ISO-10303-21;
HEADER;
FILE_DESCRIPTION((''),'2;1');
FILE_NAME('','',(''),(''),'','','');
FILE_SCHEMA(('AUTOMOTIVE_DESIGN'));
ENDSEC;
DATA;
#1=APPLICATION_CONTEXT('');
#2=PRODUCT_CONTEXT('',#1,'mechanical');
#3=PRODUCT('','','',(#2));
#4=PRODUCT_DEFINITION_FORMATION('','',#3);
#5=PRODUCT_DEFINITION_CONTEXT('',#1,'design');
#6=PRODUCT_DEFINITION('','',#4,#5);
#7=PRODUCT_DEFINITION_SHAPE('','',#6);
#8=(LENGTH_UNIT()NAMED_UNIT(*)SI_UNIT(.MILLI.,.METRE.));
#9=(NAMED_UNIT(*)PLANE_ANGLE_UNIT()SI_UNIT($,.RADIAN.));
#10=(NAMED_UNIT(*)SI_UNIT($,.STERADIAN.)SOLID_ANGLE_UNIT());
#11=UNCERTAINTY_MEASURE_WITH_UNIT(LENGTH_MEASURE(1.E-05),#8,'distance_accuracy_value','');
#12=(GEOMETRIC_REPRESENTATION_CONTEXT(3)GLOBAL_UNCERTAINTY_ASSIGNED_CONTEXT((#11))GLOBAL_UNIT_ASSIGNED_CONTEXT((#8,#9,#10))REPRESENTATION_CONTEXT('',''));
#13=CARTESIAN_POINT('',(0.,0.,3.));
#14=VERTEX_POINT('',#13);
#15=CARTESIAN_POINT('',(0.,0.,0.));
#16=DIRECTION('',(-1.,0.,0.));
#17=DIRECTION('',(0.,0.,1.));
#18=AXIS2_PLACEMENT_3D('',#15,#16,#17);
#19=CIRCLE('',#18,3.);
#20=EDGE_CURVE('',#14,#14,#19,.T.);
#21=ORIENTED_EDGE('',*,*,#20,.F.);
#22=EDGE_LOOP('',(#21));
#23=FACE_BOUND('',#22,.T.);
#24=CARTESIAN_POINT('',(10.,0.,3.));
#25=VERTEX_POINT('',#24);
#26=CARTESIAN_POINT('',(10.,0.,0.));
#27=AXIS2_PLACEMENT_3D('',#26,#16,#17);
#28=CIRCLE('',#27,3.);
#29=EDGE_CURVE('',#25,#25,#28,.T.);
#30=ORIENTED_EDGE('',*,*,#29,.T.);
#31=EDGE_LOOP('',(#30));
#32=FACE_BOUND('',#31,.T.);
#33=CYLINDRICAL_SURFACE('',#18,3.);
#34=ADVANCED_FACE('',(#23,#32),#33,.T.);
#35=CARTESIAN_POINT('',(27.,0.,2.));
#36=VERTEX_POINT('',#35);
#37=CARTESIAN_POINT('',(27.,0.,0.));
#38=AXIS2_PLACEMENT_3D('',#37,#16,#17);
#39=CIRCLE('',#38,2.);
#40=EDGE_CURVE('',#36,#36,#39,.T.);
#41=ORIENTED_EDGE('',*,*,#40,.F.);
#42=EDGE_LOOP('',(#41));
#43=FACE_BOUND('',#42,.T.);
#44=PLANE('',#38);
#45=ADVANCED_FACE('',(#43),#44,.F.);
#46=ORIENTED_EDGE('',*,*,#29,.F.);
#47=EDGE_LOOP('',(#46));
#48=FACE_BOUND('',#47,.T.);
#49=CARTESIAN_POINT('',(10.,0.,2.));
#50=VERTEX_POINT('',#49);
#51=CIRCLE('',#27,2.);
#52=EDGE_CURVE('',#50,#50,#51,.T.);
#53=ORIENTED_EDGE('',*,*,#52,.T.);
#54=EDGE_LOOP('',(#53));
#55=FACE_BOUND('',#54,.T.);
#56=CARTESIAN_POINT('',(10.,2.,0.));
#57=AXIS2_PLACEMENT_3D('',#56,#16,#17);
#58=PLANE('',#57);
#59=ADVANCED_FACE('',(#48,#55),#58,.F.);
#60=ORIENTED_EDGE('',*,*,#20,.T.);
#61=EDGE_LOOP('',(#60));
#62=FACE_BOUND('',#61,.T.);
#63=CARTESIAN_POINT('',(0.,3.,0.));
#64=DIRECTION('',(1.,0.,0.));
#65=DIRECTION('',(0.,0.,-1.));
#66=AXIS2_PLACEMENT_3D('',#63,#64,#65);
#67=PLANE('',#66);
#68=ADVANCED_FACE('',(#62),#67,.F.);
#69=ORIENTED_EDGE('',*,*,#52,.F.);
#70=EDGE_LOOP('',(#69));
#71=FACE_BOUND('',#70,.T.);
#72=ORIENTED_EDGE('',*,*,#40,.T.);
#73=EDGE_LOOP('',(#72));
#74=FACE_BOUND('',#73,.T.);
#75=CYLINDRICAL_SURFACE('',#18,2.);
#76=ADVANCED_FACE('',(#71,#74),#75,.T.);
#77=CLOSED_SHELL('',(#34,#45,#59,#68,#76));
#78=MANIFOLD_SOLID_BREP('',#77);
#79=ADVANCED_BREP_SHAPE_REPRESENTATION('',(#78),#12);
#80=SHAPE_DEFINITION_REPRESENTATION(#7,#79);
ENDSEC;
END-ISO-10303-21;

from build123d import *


with BuildPart() as part:
    # Esquisse1 → Révolution1 (revolve)
    with BuildSketch(Plane.XY):
        Polygon((27, 0), (27, 2), (10, 2), (10, 3), (0, 3), (0, 0), align=None)
    revolve(axis=Axis((0, 0, 0), (1, 0, 0)))


solid = part.part
